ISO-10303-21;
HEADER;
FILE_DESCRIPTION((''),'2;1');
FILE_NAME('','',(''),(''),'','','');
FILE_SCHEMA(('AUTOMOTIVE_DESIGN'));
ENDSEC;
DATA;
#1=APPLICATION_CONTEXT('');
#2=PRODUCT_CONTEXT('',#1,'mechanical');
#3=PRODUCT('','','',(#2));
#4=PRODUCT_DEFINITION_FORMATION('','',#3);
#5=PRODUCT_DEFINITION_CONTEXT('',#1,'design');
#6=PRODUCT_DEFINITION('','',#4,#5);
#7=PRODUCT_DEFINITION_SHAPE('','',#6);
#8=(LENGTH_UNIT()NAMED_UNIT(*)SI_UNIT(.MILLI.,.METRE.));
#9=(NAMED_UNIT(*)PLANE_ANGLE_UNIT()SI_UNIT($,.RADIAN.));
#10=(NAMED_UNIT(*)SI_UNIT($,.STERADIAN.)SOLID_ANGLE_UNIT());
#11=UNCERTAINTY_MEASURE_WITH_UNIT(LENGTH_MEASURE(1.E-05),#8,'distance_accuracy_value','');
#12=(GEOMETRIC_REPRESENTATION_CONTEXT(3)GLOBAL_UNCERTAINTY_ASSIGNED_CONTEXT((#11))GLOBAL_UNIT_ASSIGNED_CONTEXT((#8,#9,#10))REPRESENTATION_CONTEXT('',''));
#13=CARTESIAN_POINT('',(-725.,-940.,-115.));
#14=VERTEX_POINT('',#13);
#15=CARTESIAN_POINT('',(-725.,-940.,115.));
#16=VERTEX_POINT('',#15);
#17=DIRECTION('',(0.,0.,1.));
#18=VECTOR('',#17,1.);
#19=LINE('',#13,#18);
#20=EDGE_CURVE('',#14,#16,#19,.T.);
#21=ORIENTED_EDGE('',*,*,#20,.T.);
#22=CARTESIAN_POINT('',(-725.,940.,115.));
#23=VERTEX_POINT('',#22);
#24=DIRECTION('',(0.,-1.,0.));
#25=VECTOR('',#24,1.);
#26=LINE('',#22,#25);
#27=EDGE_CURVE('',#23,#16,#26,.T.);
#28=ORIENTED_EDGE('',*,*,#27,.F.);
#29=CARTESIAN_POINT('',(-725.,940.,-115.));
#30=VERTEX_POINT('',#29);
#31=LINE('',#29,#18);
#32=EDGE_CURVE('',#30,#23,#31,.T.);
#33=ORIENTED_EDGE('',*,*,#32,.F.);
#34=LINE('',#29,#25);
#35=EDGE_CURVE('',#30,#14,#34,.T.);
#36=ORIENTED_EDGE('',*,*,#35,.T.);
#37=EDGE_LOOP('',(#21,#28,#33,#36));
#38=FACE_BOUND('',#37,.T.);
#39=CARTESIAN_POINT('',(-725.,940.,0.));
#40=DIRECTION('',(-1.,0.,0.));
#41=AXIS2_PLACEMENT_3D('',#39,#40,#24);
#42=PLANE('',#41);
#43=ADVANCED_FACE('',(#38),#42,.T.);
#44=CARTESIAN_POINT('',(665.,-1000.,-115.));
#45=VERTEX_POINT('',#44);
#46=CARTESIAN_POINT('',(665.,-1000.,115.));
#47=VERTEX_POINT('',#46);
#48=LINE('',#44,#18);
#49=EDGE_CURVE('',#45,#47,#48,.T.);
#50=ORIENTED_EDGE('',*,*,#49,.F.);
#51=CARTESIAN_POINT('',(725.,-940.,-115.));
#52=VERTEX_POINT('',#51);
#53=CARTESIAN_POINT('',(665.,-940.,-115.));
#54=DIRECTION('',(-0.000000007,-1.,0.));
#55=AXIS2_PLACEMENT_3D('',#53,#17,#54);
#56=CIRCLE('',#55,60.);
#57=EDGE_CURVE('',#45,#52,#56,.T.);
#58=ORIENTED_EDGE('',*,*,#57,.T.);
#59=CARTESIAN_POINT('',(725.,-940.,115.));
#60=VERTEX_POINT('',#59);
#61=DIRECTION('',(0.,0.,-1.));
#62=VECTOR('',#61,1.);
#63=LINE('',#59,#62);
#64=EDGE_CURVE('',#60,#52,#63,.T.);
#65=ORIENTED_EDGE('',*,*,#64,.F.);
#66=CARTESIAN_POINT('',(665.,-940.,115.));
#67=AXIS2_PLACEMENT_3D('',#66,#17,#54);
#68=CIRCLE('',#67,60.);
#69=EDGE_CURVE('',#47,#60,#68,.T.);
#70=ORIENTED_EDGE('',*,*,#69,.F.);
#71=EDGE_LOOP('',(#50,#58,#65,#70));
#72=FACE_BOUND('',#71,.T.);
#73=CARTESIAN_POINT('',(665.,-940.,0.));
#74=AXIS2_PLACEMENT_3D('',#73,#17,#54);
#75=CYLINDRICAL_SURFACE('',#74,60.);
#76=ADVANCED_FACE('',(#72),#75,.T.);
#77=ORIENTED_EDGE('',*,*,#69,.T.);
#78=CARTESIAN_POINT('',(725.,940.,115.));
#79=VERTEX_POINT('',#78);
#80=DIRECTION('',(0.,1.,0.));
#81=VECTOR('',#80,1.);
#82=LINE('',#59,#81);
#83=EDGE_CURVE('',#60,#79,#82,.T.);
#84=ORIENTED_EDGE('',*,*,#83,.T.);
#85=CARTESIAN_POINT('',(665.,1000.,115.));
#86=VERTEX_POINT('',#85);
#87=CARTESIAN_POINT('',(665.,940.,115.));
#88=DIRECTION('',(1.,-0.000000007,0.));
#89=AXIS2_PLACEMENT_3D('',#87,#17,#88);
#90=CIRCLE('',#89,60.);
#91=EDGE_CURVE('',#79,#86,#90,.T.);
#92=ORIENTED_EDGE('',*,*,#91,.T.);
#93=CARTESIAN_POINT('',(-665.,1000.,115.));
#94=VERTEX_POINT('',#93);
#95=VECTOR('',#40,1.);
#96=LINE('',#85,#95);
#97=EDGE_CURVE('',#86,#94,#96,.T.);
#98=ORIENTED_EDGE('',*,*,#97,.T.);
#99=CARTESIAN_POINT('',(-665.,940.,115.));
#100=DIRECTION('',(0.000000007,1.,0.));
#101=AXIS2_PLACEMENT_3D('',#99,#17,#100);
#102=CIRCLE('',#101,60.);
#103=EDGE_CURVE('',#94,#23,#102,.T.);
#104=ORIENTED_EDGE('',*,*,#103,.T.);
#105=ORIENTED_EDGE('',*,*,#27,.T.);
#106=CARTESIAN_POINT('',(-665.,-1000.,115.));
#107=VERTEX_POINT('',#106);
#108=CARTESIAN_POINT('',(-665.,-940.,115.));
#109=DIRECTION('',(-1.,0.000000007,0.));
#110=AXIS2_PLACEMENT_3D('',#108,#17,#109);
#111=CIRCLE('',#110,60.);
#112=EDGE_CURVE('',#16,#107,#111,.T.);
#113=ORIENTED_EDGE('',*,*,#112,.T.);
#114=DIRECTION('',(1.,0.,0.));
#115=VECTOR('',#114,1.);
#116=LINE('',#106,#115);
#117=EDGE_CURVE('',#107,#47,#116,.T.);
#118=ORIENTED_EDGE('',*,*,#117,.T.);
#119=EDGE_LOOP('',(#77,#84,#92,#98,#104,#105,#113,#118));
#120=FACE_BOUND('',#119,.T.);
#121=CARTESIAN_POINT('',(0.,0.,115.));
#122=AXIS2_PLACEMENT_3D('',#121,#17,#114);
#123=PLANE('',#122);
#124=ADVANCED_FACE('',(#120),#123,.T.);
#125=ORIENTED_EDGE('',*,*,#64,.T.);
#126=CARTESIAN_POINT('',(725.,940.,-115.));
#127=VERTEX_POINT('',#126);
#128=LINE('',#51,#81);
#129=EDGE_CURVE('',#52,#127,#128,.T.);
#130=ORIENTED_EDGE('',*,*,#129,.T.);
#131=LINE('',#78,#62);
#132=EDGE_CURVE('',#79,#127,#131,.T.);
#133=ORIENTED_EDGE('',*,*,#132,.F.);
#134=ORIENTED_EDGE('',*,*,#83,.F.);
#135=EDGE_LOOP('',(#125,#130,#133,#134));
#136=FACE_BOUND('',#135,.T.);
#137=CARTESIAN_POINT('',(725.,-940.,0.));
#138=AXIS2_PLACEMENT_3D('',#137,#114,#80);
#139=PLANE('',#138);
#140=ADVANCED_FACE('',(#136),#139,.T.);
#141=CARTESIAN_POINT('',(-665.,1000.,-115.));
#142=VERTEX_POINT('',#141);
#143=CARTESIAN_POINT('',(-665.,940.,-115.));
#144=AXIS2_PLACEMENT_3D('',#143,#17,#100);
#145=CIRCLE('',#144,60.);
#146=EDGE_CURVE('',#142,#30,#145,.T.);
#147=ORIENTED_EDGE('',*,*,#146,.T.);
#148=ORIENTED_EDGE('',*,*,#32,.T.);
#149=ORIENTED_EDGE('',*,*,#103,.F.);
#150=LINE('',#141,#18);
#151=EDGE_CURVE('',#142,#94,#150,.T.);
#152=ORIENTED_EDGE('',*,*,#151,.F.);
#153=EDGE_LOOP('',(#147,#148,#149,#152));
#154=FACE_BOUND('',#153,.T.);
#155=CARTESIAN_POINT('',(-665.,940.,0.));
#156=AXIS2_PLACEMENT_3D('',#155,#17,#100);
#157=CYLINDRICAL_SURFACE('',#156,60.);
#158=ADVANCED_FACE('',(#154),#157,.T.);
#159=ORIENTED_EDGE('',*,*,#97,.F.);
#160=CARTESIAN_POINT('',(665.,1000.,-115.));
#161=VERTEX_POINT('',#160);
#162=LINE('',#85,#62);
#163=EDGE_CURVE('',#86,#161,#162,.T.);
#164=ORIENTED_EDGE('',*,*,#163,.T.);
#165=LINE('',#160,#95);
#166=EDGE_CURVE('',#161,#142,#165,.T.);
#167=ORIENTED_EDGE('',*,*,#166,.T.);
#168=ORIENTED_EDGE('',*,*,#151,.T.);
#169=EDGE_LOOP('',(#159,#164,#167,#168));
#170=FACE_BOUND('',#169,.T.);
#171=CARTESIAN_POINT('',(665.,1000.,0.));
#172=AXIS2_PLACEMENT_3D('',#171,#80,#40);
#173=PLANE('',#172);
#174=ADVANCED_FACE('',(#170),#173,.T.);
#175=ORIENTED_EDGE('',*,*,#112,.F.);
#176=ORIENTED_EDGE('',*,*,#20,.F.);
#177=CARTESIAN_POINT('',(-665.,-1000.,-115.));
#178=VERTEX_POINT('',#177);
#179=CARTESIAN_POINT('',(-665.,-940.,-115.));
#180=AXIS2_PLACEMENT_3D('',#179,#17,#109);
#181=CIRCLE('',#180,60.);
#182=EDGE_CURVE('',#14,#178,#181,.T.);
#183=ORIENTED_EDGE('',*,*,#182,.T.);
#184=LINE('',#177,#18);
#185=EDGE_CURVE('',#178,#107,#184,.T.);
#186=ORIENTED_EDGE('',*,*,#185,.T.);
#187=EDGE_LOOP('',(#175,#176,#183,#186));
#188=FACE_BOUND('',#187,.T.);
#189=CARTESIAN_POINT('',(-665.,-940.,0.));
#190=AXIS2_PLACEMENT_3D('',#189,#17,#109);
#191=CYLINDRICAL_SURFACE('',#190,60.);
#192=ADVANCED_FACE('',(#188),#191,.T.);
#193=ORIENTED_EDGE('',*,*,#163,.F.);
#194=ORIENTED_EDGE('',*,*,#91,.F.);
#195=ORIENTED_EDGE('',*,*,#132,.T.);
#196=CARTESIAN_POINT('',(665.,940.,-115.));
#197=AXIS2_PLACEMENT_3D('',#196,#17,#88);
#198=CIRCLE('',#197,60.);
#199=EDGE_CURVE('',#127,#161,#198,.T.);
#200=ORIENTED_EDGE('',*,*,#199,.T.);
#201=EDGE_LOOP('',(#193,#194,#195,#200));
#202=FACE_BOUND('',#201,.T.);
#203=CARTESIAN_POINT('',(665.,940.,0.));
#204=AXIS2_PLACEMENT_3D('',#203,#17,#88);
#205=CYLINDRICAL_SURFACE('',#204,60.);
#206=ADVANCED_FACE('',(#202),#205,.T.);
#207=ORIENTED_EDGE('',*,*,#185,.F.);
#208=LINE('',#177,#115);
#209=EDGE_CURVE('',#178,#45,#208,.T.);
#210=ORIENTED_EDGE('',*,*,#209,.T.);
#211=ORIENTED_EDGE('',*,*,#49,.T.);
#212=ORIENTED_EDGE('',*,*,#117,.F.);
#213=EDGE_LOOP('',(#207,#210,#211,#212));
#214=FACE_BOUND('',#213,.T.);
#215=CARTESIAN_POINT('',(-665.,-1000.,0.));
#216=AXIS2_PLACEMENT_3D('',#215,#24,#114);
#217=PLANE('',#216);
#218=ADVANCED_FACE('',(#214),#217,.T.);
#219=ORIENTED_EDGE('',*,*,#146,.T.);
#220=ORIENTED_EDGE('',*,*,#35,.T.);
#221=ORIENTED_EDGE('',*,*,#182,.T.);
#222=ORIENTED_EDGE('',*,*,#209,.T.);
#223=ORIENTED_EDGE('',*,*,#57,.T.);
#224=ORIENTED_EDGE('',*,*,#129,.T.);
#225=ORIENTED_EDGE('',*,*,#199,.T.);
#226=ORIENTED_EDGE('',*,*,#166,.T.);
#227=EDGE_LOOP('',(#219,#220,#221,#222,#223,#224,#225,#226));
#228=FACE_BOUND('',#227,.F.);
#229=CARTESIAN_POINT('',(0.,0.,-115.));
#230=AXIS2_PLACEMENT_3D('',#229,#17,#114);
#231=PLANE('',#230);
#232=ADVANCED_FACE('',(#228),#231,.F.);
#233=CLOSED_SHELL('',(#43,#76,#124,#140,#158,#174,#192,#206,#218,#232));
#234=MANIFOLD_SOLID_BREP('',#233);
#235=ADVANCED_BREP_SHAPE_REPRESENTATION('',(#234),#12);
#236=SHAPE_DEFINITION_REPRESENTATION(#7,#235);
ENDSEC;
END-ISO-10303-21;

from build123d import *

# Parameters (mm, degrees)
F1_DEPTH = 115


with BuildPart() as f1:
    # F0 (on Top) → F1 (new body, symmetric)
    with BuildSketch(Plane.XY):
        with BuildLine():
            Line((665, 1000), (-665, 1000))
            ThreePointArc((-665, 1000), (-707.426407, 982.426407), (-725, 940))
            Line((-725, 940), (-725, -940))
            ThreePointArc((-725, -940), (-707.426407, -982.426407), (-665, -1000))
            Line((-665, -1000), (665, -1000))
            ThreePointArc((665, -1000), (707.426407, -982.426407), (725, -940))
            Line((725, -940), (725, 940))
            ThreePointArc((725, 940), (707.426407, 982.426407), (665, 1000))
        make_face()
    extrude(amount=F1_DEPTH, both=True)


solid = f1.part
